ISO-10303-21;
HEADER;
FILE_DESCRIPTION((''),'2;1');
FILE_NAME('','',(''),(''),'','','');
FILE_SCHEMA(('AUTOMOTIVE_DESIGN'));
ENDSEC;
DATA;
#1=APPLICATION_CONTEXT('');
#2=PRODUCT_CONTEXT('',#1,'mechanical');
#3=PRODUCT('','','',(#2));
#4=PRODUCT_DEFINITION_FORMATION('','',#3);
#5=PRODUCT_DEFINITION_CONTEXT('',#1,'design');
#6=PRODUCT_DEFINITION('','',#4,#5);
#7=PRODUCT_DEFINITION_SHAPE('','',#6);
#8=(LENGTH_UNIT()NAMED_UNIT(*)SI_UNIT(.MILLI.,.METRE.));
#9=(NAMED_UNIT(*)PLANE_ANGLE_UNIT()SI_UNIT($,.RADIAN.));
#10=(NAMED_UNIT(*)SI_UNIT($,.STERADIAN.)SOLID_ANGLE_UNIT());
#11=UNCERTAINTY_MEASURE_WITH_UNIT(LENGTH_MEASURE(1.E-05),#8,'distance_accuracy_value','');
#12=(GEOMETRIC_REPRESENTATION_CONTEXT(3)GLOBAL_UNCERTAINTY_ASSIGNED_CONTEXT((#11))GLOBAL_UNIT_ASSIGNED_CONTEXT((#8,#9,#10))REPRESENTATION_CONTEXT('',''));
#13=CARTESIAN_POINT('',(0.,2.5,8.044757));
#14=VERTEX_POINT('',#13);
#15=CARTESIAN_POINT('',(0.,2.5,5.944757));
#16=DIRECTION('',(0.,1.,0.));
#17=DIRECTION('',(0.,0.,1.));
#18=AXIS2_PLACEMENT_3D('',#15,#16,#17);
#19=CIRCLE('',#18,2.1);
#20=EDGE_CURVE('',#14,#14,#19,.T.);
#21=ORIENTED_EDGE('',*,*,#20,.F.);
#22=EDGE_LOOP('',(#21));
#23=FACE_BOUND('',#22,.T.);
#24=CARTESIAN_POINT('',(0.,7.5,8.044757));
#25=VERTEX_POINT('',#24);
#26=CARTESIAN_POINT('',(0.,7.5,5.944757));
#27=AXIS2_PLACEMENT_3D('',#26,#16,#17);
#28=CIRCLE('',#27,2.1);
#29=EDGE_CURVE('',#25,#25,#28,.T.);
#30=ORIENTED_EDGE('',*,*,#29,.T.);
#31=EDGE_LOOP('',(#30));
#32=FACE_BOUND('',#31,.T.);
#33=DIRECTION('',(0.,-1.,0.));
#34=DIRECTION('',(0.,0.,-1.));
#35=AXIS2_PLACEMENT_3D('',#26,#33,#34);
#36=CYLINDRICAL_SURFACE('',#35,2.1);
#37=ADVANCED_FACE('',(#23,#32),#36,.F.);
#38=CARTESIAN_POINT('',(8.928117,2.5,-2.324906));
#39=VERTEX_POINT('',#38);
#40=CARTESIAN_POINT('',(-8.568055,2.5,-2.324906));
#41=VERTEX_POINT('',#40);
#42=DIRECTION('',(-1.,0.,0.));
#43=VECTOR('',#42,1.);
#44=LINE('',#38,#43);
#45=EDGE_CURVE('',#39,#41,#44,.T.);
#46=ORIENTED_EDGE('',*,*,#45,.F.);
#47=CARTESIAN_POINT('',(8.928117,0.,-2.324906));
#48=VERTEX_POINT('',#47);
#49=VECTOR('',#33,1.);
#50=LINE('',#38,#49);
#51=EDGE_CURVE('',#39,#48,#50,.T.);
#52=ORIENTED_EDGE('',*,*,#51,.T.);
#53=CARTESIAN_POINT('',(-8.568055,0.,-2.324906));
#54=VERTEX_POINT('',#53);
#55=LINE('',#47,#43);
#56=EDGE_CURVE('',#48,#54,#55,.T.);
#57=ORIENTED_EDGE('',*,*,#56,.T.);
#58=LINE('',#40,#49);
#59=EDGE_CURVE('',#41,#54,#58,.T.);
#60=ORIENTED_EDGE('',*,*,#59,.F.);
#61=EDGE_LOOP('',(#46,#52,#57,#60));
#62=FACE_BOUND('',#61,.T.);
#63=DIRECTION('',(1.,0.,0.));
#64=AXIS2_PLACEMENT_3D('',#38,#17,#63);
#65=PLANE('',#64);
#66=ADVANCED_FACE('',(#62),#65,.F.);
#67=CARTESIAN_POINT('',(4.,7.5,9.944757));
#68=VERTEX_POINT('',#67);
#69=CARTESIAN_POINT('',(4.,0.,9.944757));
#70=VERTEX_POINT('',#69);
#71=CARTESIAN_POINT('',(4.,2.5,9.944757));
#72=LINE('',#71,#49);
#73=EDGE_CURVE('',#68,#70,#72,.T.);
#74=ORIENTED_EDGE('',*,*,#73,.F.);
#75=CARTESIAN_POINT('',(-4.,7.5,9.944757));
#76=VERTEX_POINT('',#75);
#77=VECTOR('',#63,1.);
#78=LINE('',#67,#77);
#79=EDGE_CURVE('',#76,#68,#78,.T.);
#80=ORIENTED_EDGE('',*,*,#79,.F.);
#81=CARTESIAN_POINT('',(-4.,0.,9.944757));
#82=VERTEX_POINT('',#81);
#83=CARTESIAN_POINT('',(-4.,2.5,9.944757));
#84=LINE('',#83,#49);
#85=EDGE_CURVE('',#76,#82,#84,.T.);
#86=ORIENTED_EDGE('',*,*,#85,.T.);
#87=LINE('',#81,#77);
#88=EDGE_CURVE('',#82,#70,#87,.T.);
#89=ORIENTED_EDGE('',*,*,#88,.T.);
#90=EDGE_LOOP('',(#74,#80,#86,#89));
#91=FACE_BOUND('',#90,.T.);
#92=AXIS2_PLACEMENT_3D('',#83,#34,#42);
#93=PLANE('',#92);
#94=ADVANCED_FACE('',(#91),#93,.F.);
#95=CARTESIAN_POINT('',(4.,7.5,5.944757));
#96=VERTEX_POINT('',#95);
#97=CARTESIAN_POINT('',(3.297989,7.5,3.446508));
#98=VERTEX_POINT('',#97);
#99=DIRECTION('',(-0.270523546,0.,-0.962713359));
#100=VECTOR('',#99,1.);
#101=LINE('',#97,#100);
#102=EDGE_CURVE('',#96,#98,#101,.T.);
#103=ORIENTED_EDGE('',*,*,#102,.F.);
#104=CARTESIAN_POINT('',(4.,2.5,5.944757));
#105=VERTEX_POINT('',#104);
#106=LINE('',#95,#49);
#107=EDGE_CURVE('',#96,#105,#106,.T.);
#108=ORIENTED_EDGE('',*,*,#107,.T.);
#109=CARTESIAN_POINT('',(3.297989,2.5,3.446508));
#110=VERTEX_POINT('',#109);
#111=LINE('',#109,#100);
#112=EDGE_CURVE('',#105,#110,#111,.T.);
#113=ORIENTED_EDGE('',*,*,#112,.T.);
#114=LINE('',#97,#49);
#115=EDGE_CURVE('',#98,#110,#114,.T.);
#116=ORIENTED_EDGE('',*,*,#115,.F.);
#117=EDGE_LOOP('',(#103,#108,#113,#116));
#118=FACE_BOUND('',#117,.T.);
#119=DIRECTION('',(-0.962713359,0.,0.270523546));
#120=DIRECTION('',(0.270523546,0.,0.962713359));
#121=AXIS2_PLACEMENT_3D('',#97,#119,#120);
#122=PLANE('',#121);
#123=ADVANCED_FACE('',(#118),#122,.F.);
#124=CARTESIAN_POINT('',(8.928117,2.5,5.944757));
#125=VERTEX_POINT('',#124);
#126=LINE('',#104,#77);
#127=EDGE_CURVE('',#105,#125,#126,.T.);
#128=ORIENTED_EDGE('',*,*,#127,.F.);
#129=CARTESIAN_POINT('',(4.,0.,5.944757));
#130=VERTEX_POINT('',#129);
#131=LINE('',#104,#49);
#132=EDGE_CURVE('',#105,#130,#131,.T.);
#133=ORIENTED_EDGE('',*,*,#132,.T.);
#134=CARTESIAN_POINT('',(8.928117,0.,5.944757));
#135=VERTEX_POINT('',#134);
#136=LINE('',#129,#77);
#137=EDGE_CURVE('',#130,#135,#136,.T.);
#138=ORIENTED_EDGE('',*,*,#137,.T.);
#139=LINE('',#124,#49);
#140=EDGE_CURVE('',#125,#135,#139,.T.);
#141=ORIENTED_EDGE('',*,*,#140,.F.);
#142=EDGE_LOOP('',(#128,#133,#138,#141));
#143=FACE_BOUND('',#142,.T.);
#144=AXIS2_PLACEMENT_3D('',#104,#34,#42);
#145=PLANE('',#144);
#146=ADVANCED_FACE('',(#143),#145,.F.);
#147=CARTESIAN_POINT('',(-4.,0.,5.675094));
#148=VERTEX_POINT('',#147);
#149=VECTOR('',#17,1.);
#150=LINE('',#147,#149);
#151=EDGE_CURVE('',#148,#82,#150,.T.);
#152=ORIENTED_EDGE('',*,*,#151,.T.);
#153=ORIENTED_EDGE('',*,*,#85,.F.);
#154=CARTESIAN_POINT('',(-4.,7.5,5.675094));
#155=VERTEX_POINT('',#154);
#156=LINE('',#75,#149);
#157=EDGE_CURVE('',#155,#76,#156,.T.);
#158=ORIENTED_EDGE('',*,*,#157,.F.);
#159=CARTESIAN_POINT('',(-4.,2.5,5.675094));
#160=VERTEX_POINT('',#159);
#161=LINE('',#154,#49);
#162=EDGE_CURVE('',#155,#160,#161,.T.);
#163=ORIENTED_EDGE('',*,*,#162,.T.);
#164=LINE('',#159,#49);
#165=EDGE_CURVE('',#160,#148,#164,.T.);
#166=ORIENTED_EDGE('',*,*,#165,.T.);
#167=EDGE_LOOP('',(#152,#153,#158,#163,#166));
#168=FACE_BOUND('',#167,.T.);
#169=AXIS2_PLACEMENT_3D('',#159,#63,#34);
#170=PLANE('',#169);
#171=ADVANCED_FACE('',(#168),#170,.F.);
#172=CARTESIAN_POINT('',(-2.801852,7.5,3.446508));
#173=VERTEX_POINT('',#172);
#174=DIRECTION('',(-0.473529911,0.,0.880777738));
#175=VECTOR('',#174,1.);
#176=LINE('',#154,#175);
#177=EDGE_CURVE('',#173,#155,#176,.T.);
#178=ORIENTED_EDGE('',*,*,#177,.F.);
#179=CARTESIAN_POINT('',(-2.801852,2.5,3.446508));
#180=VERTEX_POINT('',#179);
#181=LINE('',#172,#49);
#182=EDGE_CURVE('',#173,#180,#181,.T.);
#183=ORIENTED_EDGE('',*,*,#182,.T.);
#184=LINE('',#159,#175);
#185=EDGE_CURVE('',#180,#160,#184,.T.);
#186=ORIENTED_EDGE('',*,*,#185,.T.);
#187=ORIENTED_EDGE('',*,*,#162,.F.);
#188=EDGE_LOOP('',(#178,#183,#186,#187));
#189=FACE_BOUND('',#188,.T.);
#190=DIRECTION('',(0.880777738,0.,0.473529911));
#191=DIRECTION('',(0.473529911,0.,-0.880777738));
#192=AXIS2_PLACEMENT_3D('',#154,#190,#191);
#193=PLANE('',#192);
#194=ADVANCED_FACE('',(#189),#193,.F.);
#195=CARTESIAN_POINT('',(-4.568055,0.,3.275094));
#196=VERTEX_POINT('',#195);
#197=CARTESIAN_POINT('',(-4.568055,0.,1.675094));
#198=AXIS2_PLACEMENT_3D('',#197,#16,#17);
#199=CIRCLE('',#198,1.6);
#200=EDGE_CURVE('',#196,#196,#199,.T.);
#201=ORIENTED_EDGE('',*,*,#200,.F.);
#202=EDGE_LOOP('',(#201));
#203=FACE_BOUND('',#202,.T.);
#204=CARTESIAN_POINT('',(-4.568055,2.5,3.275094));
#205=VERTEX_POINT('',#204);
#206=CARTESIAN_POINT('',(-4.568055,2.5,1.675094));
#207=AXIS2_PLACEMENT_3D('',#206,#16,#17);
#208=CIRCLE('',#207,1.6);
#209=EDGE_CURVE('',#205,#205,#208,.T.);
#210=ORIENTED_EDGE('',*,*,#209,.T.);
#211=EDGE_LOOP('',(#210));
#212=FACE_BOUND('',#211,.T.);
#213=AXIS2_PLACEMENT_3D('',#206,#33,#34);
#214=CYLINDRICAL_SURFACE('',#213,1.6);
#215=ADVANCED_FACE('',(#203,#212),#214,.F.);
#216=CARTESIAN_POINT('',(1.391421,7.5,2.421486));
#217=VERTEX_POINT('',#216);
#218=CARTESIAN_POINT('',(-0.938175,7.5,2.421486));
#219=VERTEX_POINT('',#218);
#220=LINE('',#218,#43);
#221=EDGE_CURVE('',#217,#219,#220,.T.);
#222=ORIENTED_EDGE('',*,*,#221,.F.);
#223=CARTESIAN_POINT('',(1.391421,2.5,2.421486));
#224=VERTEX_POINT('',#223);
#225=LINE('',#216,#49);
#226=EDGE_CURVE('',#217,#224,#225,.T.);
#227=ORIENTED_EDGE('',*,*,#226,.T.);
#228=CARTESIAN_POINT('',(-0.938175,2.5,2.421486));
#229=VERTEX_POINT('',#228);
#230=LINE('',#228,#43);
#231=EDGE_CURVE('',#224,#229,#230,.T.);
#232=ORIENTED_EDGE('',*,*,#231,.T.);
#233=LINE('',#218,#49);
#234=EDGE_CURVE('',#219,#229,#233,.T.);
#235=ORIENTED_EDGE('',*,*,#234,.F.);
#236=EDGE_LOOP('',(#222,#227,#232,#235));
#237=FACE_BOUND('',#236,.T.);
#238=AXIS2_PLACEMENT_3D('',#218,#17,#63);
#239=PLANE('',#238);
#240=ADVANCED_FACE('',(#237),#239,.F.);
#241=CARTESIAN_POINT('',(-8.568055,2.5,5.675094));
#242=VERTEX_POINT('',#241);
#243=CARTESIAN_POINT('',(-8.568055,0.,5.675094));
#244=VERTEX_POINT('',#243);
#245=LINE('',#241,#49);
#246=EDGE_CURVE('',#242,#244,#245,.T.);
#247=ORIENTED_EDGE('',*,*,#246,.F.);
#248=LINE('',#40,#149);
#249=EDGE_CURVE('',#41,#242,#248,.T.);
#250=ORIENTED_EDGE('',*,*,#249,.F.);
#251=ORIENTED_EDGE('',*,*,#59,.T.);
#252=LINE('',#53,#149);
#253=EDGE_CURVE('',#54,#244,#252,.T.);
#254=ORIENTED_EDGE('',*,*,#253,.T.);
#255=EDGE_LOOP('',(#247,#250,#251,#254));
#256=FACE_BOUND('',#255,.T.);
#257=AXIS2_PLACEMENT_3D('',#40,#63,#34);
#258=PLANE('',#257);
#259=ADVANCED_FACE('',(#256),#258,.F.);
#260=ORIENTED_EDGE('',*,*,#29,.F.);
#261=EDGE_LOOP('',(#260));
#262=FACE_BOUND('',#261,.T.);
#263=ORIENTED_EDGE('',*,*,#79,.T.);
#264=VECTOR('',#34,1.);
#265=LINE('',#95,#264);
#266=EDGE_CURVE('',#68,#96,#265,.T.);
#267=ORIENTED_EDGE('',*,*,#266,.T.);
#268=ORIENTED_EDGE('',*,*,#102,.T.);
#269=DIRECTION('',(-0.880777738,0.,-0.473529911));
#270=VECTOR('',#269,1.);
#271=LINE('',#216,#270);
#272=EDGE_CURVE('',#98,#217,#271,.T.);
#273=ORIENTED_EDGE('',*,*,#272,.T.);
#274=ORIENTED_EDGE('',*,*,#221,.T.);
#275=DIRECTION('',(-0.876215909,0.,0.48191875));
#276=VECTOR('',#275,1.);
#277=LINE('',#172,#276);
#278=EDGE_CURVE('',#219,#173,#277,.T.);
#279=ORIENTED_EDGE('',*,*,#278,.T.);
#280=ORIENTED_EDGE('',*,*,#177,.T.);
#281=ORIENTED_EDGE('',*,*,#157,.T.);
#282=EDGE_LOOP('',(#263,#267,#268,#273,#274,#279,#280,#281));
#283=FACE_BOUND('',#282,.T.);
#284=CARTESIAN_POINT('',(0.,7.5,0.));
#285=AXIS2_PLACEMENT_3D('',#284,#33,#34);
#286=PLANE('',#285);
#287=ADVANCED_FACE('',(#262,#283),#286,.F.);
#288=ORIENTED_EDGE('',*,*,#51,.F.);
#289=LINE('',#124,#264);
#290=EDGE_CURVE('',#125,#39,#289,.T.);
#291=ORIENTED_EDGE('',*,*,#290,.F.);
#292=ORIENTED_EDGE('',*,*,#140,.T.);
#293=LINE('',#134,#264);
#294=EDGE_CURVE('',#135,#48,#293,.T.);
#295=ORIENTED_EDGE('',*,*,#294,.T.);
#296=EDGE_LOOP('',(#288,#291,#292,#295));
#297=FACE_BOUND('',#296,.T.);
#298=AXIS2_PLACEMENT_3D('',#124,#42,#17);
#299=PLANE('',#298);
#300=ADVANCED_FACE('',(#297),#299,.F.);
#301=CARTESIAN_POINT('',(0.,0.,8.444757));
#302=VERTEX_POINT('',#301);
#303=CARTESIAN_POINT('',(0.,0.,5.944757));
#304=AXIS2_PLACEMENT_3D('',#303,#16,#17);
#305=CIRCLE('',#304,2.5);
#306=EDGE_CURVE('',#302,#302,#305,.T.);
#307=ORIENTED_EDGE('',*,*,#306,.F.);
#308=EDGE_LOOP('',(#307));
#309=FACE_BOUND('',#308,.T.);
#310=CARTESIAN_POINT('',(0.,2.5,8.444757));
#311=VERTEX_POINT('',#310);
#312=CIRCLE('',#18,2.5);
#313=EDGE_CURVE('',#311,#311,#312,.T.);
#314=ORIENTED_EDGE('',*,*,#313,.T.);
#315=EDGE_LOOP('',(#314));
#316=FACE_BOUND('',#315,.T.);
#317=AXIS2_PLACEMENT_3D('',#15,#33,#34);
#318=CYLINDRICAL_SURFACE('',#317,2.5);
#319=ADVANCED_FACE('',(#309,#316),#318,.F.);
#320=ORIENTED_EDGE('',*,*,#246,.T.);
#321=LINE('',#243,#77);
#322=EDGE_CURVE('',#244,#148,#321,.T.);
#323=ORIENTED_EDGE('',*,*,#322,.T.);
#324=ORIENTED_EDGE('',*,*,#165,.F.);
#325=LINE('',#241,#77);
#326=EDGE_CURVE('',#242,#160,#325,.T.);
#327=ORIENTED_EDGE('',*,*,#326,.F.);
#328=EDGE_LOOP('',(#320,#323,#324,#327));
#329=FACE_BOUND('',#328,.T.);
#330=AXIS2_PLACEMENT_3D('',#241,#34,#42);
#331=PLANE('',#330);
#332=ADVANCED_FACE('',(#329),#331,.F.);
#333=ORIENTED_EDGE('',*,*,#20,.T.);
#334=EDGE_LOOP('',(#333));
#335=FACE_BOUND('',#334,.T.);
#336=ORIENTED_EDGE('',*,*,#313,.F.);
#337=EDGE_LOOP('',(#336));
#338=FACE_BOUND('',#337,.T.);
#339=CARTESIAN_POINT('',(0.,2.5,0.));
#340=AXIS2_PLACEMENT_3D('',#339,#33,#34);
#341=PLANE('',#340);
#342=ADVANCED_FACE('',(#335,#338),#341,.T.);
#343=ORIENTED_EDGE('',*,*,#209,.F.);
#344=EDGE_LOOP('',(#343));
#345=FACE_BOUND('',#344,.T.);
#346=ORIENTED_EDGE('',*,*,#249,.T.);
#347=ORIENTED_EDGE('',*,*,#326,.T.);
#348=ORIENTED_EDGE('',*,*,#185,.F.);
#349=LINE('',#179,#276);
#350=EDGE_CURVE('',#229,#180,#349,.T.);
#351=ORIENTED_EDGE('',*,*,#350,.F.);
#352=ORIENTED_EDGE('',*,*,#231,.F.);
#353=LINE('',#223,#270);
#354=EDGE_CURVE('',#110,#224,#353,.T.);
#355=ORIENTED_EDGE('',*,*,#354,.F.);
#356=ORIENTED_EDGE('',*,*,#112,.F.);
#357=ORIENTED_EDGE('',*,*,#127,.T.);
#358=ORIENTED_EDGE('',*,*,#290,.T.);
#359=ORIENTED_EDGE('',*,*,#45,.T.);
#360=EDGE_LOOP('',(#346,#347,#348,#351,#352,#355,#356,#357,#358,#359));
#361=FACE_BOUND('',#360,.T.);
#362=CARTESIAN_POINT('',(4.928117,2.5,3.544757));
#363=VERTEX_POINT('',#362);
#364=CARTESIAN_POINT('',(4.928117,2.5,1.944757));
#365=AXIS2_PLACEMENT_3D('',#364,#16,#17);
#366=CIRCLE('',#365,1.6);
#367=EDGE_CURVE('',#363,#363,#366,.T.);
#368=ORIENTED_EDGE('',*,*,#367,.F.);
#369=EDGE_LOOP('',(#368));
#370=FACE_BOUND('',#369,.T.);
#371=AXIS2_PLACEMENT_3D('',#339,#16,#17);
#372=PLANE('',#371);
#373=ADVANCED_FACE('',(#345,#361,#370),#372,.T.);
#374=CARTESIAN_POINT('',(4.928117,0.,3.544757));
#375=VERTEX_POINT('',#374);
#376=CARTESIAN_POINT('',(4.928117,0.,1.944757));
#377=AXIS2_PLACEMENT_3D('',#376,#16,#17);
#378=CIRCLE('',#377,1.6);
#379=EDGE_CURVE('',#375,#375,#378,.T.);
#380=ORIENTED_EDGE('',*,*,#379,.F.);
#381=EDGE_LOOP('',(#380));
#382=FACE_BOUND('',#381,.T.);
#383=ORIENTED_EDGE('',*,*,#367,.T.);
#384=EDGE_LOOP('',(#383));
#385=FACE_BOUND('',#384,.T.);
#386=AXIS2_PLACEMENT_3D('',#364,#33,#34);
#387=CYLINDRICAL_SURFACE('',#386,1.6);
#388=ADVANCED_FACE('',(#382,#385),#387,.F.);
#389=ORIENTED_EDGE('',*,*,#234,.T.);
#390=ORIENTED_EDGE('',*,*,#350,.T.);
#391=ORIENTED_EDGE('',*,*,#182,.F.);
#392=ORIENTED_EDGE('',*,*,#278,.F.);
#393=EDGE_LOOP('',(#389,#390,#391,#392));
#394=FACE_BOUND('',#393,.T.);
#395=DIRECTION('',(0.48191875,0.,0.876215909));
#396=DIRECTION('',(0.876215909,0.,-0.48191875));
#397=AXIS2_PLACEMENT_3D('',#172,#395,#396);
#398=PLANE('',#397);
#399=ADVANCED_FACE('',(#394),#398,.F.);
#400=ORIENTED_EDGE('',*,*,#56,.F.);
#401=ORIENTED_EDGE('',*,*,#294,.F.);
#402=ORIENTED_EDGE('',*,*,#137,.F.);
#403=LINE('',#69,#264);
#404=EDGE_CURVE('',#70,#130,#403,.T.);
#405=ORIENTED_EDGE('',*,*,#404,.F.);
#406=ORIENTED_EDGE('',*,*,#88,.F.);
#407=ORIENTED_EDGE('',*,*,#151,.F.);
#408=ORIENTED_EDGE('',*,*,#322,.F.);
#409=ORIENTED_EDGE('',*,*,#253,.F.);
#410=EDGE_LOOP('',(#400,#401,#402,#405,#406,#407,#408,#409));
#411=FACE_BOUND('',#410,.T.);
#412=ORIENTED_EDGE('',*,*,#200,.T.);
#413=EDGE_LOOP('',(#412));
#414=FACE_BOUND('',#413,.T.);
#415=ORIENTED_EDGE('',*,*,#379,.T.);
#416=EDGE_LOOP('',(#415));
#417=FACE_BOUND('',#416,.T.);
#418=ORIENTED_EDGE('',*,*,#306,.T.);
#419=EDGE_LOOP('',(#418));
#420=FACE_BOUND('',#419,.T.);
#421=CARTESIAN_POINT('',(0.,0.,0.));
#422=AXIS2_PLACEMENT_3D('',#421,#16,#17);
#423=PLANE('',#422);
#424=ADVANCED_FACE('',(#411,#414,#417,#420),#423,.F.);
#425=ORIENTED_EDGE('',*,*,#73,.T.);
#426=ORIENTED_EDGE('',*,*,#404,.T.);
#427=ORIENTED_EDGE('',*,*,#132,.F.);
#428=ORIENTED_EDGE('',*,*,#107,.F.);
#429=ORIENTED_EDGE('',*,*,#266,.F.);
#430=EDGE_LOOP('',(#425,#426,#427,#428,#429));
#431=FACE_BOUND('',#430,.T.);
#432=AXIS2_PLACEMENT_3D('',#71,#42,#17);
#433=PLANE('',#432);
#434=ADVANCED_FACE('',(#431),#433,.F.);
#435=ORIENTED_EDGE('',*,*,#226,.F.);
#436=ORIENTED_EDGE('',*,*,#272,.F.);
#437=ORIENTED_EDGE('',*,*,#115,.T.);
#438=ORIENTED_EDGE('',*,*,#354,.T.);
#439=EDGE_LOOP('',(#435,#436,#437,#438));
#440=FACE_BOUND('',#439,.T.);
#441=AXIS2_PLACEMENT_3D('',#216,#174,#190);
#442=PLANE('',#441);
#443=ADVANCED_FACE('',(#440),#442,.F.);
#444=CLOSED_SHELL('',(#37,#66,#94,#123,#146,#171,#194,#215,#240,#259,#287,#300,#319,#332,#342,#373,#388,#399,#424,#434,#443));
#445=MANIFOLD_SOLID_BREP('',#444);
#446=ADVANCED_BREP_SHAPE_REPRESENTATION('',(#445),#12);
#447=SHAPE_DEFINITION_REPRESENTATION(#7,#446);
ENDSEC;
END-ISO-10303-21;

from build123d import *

# Parameters (mm, degrees)
SKETCH1_R           = 1.6
SKETCH1_R_2         = 2.5
BOSS_EXTRUDE1_DEPTH = 2.5
SKETCH3_R           = 2.1
BOSS_EXTRUDE2_DEPTH = 5


with BuildPart() as part:
    # Sketch1 → Boss-Extrude1 (new body)
    with BuildSketch(Plane(origin=(0, 0, 0), x_dir=(1, 0, 0), z_dir=(0, 1, 0))):
        Polygon((-8.568054712, 2.324906367), (-8.568054712, -5.675093633), (-4, -5.675093633), (-4, -9.944756554), (4, -9.944756554), (4, -5.944756554), (8.928117249, -5.944756554), (8.928117249, 2.324906367), align=None)
        with Locations((-4.568054712, -1.675093633)):
            Circle(SKETCH1_R, mode=Mode.SUBTRACT)
        with Locations((4.928117249, -1.944756554)):
            Circle(SKETCH1_R, mode=Mode.SUBTRACT)
        with Locations((0, -5.944756554)):
            Circle(SKETCH1_R_2, mode=Mode.SUBTRACT)
    extrude(amount=BOSS_EXTRUDE1_DEPTH)

    # Sketch3 → Boss-Extrude2 (add)
    with BuildSketch(Plane(origin=(0, 2.5, 0), x_dir=(1, 0, 0), z_dir=(0, 1, 0))):
        Polygon((4, -9.944756554), (-4, -9.944756554), (-4, -5.675093633), (-2.801852171, -3.446508049), (-0.938175021, -2.421485617), (1.391421416, -2.421485617), (3.297989337, -3.446508049), (4, -5.944756554), align=None)
        with Locations((0, -5.944756554)):
            Circle(SKETCH3_R, mode=Mode.SUBTRACT)
    extrude(amount=BOSS_EXTRUDE2_DEPTH)


solid = part.part
